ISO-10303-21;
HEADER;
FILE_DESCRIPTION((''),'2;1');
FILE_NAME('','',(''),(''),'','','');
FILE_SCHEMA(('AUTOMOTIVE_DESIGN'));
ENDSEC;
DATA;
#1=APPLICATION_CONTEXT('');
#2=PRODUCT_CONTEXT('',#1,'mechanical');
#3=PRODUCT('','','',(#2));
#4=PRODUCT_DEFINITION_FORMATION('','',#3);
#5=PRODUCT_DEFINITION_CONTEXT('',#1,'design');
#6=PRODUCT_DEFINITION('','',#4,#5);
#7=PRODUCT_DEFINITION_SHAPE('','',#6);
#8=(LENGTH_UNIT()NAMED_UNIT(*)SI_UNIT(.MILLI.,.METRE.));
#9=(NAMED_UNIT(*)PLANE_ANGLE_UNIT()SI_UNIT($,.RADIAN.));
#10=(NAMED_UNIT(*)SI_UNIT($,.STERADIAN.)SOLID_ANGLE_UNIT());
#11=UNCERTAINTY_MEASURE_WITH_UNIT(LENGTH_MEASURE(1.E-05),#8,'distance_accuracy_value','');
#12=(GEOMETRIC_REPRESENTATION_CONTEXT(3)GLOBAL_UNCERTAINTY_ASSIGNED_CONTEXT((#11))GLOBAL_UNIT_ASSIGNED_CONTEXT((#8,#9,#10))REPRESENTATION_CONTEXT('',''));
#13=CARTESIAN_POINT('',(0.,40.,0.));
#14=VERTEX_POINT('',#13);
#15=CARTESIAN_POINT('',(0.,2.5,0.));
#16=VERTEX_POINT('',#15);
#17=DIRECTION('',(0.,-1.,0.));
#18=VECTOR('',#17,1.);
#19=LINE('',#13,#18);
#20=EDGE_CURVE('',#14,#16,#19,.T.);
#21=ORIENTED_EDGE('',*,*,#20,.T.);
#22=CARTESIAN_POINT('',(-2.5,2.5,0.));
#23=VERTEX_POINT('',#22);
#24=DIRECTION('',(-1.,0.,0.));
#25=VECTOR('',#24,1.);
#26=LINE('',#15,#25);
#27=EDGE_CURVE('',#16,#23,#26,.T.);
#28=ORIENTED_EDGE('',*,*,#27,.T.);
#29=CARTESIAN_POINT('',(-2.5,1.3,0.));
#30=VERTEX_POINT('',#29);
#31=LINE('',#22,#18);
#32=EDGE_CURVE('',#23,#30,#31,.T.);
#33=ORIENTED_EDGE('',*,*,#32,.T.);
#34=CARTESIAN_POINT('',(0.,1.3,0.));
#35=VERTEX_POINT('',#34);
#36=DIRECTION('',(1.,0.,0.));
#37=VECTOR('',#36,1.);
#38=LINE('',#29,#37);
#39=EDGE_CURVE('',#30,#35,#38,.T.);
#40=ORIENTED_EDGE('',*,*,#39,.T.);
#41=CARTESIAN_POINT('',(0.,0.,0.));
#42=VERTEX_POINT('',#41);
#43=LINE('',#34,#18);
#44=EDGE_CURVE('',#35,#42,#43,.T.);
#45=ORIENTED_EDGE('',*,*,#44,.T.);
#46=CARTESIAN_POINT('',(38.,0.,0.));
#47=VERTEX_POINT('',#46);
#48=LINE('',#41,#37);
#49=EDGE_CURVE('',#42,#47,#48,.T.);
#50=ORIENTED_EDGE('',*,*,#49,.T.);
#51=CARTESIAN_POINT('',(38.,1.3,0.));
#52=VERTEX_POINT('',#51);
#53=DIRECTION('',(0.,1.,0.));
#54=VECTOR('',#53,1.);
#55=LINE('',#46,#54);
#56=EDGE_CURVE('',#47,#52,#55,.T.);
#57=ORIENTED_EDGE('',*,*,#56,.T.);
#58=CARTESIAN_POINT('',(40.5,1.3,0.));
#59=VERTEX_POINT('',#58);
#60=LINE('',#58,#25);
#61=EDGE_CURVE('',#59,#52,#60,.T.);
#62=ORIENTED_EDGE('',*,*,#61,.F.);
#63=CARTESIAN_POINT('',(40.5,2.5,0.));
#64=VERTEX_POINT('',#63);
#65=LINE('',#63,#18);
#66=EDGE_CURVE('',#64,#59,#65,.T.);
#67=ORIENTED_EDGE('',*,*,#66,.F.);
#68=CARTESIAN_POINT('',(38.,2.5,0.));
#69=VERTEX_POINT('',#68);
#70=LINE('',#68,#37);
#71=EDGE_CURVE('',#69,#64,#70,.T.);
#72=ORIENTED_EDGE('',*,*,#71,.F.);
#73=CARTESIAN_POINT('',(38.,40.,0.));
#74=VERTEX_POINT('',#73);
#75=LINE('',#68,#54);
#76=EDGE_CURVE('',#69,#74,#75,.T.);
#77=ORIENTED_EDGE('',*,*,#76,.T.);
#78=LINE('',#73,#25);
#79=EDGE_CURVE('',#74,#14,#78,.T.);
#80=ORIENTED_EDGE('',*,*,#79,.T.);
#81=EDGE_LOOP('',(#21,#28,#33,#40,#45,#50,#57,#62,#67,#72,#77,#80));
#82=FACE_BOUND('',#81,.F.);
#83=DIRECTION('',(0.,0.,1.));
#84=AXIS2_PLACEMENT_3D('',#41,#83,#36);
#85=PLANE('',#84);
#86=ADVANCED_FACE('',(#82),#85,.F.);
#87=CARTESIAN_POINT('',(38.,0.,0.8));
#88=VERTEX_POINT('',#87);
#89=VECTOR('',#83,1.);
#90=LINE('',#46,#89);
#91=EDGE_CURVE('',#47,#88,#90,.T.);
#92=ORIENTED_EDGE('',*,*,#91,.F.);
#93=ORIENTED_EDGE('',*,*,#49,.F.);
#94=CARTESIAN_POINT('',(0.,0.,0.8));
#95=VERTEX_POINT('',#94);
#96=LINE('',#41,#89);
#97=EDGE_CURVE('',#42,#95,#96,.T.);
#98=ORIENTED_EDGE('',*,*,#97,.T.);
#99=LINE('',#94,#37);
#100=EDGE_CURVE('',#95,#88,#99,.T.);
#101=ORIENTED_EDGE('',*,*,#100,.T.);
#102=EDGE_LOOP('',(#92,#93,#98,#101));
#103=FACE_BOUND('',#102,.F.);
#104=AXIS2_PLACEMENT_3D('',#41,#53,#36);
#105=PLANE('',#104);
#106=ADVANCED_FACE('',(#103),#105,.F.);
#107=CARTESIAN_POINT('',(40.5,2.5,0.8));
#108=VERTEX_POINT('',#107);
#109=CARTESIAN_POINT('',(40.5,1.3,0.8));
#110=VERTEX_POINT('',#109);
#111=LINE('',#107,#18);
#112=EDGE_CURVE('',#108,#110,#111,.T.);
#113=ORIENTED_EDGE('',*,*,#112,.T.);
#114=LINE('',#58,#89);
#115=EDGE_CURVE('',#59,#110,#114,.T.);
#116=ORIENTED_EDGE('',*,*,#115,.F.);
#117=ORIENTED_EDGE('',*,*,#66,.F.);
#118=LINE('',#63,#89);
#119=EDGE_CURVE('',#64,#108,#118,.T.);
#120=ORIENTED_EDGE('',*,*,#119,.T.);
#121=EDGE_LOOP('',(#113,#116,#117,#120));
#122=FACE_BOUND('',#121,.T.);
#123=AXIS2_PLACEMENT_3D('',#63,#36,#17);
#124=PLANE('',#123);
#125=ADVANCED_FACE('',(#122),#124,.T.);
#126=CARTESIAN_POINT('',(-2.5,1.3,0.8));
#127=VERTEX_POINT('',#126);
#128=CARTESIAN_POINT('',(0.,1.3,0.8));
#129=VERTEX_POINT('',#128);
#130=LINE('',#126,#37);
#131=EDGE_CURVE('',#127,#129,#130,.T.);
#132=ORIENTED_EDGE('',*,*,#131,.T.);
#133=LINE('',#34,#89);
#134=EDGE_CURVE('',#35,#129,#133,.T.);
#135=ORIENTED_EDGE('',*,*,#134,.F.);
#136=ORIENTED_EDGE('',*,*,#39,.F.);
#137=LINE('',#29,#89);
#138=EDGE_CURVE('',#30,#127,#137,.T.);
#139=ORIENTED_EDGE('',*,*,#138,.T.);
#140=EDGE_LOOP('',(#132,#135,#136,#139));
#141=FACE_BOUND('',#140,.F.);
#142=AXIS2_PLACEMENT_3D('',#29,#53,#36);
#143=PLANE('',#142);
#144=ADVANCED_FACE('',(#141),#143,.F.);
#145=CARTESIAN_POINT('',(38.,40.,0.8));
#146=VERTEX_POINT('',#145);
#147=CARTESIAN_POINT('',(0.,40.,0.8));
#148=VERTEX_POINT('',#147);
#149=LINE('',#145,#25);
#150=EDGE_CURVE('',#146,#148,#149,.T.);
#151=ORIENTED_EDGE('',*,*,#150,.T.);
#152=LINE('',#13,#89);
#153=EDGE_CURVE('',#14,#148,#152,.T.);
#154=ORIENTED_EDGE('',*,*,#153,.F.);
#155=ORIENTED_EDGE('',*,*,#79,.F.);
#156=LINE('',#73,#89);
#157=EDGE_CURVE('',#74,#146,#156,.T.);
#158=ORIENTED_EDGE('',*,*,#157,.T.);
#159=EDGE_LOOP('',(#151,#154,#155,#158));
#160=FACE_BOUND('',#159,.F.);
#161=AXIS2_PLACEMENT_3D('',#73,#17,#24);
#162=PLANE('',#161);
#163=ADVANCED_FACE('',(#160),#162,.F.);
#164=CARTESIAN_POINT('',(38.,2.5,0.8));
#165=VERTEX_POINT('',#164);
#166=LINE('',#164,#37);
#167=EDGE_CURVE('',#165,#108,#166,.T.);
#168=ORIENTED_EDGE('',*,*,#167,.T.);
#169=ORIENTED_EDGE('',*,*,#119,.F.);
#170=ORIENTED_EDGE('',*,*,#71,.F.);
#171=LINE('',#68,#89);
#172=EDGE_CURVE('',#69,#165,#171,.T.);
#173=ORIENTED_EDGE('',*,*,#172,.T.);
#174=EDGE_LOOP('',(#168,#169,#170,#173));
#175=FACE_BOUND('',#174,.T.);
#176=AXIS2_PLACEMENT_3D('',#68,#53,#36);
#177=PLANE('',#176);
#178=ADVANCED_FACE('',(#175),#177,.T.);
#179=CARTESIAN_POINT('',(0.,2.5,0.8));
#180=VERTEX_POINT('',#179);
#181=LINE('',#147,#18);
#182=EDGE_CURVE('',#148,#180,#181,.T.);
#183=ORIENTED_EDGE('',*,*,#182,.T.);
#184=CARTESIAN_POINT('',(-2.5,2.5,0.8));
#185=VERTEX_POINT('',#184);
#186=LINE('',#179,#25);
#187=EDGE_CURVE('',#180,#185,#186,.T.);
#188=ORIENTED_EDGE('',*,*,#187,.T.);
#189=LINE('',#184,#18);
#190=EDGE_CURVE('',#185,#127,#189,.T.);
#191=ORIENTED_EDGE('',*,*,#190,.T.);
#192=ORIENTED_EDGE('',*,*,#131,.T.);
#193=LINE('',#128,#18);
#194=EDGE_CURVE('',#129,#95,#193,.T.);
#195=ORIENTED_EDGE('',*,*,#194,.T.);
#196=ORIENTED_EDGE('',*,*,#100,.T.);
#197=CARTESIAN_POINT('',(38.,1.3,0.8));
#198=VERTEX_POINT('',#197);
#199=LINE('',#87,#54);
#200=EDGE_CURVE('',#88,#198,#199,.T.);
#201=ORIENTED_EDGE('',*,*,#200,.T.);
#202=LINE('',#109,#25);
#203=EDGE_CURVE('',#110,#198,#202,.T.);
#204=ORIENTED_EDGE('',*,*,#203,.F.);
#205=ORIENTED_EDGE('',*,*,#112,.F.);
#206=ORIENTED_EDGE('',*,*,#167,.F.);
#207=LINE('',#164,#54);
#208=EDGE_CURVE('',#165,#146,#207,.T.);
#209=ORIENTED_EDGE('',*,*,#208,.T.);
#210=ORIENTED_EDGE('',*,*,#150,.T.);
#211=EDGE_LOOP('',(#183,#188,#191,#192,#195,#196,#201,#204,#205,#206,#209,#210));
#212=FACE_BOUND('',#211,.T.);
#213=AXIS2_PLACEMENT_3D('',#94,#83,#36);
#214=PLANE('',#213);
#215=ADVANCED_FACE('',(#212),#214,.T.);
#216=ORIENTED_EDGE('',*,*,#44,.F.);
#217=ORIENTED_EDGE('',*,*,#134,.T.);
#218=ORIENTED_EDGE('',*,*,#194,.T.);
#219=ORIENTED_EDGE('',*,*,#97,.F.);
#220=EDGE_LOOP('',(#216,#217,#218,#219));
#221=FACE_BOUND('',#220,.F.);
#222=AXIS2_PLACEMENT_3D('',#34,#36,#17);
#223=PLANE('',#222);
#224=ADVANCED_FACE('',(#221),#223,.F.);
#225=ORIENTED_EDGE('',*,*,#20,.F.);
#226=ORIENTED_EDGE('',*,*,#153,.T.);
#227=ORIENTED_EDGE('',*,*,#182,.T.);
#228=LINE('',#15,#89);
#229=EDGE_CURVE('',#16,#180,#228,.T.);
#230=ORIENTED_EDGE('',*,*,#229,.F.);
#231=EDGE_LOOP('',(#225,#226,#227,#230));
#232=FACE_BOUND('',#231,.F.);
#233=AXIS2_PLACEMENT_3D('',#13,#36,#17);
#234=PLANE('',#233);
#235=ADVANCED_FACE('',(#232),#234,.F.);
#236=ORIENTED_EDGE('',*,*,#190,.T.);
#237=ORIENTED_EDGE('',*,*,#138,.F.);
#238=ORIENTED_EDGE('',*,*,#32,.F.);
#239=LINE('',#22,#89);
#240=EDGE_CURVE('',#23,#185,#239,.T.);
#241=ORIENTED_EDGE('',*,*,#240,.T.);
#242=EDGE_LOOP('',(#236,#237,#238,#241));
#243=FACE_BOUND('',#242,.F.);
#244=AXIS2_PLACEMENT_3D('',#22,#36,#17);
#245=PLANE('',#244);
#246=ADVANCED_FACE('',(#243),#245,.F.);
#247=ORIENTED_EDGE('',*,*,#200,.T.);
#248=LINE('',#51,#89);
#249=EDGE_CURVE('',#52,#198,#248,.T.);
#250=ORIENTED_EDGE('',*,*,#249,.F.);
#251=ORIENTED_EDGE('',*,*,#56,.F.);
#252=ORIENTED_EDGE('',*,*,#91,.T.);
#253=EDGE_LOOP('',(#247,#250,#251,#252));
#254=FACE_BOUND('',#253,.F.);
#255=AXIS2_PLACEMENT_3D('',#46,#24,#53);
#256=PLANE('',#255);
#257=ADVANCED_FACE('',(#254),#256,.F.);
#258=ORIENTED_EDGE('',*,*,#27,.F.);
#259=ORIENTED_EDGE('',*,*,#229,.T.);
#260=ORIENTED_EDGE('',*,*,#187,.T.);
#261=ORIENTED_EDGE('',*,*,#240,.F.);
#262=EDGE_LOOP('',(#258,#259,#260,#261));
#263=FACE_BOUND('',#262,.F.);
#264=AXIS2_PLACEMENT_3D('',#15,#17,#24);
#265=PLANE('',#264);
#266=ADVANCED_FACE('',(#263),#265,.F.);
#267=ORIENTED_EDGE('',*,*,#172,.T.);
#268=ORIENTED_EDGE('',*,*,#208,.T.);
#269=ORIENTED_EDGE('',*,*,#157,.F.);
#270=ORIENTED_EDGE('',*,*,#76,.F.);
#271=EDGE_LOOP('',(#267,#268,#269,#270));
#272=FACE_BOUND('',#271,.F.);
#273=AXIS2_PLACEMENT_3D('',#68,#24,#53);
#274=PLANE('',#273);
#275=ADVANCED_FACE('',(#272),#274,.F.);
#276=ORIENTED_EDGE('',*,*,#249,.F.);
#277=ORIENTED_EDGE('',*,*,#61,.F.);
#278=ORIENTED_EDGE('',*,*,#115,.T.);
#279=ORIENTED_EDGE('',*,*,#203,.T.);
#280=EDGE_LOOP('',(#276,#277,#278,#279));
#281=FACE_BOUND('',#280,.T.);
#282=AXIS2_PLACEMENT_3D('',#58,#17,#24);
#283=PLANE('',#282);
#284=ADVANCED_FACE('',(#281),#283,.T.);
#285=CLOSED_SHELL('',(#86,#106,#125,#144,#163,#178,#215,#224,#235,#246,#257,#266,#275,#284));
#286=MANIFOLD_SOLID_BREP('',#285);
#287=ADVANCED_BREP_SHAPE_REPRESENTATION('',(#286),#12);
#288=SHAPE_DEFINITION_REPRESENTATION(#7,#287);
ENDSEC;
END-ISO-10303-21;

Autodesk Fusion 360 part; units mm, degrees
sketch "Sketch1" plane through (0, 0, 0) normal (0, 0, 1) x (1, 0, 0)
  line L0 (0, 0) -> (38, 0)
  line L1 (38, 40) -> (0, 40)
  line L2 (38, 2.5) -> (40.5, 2.5)
  line L3 (40.5, 2.5) -> (40.5, 1.3)
  line L4 (40.5, 1.3) -> (38, 1.3)
  line L5 (19, 40) -> (19, 0) construction
  line L6 (0, 2.5) -> (-2.5, 2.5)
  line L7 (-2.5, 2.5) -> (-2.5, 1.3)
  line L8 (-2.5, 1.3) -> (0, 1.3)
  line L9 (38, 0) -> (38, 1.3)
  line L10 (38, 2.5) -> (38, 40)
  line L11 (0, 40) -> (0, 2.5)
  line L12 (0, 1.3) -> (0, 0)
  dimension "d1" = 38
  dimension "d2" = 40
  dimension "d3" = 2.5
  dimension "d4" = 1.2
  dimension "d5" = 1.3
  dimension "d6" = 38
extrude "Extrude1" add sketch "Sketch1" along normal blind 0.8 makes body 1
copy_body "Body->Comp1" bodies 1 removing the originals makes body 2 in component "Flap "
component "Flap " placed x (1, 0, 0) y (0, 1, 0) z (0, 0, 1) at (0, 0, 0)
